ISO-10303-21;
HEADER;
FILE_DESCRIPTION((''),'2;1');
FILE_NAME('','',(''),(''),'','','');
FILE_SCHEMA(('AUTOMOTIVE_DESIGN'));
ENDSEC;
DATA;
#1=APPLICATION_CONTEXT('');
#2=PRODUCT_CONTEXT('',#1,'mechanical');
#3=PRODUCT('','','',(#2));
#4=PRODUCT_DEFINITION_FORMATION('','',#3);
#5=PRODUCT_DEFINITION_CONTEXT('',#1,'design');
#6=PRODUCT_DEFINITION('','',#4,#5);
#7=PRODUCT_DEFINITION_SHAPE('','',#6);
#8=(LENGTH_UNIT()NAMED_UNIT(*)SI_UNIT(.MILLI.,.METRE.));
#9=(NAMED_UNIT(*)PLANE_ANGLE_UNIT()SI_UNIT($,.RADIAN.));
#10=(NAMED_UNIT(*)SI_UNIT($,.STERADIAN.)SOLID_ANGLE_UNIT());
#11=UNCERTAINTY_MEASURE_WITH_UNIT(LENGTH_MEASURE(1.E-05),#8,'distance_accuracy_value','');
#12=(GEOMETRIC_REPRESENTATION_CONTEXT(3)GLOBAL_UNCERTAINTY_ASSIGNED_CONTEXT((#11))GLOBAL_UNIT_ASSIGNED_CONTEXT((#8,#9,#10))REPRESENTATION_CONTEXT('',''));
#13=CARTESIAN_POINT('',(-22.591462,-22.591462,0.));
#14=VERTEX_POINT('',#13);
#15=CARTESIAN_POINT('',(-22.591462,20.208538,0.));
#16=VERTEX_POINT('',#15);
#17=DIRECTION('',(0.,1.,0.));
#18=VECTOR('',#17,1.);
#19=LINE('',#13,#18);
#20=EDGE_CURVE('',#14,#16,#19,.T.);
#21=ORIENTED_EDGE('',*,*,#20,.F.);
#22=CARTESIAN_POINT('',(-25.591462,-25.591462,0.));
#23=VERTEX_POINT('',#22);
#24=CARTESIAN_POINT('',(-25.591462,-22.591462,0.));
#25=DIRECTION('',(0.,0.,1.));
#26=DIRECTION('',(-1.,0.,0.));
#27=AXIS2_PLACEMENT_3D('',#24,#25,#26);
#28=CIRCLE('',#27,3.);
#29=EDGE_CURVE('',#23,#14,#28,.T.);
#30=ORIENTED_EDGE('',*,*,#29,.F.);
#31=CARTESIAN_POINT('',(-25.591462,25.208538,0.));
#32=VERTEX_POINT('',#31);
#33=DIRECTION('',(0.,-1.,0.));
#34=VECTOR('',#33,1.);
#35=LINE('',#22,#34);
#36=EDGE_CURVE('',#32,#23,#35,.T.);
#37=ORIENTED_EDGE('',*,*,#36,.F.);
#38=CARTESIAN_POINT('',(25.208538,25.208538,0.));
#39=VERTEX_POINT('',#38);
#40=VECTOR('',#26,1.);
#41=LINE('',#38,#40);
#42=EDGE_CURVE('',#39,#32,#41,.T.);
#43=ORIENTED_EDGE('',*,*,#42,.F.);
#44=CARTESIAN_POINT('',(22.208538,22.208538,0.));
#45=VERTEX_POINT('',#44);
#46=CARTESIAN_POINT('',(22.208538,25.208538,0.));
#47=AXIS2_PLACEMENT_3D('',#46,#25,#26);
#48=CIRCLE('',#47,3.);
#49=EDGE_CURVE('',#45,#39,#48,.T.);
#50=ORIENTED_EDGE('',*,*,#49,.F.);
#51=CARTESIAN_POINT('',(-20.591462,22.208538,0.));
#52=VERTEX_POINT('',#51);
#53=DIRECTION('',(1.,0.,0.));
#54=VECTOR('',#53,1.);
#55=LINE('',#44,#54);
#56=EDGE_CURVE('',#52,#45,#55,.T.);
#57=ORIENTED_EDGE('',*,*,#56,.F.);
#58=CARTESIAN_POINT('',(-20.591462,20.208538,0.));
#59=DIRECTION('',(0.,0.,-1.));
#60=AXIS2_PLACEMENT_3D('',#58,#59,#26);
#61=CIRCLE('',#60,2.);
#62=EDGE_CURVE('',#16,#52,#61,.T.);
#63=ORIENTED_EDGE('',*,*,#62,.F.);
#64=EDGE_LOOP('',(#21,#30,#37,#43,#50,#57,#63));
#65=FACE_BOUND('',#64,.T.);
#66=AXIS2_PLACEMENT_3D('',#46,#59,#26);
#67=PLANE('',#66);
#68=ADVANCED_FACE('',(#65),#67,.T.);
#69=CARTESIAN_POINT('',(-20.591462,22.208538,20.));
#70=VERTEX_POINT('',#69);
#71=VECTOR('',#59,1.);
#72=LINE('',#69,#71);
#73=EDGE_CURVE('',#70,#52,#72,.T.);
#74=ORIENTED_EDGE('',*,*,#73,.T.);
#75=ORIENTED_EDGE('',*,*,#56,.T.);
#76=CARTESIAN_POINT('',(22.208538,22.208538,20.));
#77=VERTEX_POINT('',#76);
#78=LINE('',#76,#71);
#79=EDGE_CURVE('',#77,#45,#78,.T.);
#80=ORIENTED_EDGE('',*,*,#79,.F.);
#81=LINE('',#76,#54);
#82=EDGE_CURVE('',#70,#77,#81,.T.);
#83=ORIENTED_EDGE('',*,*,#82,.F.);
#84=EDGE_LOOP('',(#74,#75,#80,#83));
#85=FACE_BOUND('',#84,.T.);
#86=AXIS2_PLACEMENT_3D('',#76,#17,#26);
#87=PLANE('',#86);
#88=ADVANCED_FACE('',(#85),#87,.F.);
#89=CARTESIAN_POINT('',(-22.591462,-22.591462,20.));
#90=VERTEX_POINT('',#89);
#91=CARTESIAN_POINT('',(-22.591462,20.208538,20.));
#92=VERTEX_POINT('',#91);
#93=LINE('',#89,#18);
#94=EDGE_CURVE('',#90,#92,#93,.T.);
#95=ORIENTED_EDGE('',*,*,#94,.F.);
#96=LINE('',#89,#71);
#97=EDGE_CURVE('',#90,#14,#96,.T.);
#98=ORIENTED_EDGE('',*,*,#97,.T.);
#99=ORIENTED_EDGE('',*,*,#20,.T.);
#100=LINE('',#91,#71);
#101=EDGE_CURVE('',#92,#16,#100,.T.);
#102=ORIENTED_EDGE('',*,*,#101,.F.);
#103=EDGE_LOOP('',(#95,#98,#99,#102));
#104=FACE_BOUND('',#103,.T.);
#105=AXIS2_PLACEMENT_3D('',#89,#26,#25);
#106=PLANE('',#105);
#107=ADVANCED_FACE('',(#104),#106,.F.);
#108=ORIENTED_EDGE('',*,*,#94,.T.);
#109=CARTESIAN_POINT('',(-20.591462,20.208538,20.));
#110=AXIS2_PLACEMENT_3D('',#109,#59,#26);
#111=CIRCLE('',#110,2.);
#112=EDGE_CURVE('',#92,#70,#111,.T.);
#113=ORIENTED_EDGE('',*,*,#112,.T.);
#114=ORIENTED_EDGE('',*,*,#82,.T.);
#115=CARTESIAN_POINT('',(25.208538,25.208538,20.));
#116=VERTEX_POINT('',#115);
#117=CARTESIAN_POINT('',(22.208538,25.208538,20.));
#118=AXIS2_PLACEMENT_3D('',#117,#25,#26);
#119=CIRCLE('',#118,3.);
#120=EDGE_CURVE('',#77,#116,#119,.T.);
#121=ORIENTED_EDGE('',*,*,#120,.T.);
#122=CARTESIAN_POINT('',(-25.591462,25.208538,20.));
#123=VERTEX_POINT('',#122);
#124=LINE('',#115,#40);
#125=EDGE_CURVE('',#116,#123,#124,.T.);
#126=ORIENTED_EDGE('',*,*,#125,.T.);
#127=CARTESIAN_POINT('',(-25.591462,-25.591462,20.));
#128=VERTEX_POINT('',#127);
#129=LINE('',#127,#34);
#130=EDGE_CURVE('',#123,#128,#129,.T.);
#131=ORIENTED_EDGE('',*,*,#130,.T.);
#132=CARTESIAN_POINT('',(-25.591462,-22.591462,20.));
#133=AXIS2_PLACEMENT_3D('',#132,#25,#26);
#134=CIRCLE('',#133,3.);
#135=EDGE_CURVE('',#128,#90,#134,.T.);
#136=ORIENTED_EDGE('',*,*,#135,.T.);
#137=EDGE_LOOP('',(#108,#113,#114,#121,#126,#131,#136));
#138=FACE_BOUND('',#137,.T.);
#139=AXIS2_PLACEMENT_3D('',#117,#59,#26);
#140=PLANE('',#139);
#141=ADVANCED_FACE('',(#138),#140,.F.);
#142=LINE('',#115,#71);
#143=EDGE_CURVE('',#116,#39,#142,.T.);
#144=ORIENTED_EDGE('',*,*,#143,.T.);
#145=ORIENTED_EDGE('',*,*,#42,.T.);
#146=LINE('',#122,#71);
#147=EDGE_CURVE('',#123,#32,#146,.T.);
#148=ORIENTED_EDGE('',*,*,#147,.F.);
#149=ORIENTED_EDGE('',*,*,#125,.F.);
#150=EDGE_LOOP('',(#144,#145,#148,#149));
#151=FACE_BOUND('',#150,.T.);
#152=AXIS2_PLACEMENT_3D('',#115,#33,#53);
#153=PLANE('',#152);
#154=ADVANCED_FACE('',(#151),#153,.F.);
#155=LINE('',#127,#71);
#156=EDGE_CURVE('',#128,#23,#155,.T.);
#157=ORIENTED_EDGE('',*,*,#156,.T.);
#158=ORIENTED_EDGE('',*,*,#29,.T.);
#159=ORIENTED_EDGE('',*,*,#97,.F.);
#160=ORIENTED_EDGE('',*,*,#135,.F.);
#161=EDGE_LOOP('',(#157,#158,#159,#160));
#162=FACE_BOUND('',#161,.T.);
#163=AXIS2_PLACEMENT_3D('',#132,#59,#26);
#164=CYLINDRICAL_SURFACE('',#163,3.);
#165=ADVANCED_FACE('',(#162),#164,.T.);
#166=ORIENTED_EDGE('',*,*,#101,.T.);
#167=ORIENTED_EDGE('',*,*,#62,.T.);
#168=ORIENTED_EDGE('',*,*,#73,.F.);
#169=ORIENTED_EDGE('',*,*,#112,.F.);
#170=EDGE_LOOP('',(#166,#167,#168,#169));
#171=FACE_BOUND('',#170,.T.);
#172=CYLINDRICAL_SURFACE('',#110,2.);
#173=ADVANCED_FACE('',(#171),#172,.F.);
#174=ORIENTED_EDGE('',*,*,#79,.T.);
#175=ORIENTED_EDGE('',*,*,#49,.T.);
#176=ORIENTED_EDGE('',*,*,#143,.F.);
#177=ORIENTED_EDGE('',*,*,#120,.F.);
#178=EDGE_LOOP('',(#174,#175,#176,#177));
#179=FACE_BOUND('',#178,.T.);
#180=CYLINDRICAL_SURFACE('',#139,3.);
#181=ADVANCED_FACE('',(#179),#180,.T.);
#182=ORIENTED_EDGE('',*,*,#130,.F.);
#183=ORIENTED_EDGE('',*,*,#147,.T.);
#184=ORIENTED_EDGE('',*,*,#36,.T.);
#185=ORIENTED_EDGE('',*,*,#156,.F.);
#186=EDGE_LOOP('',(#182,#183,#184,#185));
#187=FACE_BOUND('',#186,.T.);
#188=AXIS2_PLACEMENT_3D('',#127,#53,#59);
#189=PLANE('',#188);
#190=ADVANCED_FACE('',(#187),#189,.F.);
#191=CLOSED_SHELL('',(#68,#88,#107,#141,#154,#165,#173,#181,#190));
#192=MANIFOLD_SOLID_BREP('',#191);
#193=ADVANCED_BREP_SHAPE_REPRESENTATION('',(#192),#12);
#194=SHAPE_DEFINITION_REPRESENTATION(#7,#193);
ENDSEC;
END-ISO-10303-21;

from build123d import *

# Parameters (mm, degrees)
SALIENTE_EXTRUIR1_DEPTH = 20


with BuildPart() as part:
    # Croquis1 → Saliente-Extruir1 (new body)
    with BuildSketch(Plane.XY):
        with BuildLine():
            Line((22.208537854, 22.208537854), (-20.591462146, 22.208537854))
            ThreePointArc((-20.591462146, 22.208537854), (-22.005675708, 21.622751417), (-22.591462146, 20.208537854))
            Line((-22.591462146, 20.208537854), (-22.591462146, -22.591462146))
            ThreePointArc((-22.591462146, -22.591462146), (-23.470141802, -24.712782489), (-25.591462146, -25.591462146))
            Line((-25.591462146, -25.591462146), (-25.591462146, 25.208537854))
            Line((-25.591462146, 25.208537854), (25.208537854, 25.208537854))
            ThreePointArc((25.208537854, 25.208537854), (24.329858198, 23.087217511), (22.208537854, 22.208537854))
        make_face()
    extrude(amount=SALIENTE_EXTRUIR1_DEPTH)


solid = part.part
